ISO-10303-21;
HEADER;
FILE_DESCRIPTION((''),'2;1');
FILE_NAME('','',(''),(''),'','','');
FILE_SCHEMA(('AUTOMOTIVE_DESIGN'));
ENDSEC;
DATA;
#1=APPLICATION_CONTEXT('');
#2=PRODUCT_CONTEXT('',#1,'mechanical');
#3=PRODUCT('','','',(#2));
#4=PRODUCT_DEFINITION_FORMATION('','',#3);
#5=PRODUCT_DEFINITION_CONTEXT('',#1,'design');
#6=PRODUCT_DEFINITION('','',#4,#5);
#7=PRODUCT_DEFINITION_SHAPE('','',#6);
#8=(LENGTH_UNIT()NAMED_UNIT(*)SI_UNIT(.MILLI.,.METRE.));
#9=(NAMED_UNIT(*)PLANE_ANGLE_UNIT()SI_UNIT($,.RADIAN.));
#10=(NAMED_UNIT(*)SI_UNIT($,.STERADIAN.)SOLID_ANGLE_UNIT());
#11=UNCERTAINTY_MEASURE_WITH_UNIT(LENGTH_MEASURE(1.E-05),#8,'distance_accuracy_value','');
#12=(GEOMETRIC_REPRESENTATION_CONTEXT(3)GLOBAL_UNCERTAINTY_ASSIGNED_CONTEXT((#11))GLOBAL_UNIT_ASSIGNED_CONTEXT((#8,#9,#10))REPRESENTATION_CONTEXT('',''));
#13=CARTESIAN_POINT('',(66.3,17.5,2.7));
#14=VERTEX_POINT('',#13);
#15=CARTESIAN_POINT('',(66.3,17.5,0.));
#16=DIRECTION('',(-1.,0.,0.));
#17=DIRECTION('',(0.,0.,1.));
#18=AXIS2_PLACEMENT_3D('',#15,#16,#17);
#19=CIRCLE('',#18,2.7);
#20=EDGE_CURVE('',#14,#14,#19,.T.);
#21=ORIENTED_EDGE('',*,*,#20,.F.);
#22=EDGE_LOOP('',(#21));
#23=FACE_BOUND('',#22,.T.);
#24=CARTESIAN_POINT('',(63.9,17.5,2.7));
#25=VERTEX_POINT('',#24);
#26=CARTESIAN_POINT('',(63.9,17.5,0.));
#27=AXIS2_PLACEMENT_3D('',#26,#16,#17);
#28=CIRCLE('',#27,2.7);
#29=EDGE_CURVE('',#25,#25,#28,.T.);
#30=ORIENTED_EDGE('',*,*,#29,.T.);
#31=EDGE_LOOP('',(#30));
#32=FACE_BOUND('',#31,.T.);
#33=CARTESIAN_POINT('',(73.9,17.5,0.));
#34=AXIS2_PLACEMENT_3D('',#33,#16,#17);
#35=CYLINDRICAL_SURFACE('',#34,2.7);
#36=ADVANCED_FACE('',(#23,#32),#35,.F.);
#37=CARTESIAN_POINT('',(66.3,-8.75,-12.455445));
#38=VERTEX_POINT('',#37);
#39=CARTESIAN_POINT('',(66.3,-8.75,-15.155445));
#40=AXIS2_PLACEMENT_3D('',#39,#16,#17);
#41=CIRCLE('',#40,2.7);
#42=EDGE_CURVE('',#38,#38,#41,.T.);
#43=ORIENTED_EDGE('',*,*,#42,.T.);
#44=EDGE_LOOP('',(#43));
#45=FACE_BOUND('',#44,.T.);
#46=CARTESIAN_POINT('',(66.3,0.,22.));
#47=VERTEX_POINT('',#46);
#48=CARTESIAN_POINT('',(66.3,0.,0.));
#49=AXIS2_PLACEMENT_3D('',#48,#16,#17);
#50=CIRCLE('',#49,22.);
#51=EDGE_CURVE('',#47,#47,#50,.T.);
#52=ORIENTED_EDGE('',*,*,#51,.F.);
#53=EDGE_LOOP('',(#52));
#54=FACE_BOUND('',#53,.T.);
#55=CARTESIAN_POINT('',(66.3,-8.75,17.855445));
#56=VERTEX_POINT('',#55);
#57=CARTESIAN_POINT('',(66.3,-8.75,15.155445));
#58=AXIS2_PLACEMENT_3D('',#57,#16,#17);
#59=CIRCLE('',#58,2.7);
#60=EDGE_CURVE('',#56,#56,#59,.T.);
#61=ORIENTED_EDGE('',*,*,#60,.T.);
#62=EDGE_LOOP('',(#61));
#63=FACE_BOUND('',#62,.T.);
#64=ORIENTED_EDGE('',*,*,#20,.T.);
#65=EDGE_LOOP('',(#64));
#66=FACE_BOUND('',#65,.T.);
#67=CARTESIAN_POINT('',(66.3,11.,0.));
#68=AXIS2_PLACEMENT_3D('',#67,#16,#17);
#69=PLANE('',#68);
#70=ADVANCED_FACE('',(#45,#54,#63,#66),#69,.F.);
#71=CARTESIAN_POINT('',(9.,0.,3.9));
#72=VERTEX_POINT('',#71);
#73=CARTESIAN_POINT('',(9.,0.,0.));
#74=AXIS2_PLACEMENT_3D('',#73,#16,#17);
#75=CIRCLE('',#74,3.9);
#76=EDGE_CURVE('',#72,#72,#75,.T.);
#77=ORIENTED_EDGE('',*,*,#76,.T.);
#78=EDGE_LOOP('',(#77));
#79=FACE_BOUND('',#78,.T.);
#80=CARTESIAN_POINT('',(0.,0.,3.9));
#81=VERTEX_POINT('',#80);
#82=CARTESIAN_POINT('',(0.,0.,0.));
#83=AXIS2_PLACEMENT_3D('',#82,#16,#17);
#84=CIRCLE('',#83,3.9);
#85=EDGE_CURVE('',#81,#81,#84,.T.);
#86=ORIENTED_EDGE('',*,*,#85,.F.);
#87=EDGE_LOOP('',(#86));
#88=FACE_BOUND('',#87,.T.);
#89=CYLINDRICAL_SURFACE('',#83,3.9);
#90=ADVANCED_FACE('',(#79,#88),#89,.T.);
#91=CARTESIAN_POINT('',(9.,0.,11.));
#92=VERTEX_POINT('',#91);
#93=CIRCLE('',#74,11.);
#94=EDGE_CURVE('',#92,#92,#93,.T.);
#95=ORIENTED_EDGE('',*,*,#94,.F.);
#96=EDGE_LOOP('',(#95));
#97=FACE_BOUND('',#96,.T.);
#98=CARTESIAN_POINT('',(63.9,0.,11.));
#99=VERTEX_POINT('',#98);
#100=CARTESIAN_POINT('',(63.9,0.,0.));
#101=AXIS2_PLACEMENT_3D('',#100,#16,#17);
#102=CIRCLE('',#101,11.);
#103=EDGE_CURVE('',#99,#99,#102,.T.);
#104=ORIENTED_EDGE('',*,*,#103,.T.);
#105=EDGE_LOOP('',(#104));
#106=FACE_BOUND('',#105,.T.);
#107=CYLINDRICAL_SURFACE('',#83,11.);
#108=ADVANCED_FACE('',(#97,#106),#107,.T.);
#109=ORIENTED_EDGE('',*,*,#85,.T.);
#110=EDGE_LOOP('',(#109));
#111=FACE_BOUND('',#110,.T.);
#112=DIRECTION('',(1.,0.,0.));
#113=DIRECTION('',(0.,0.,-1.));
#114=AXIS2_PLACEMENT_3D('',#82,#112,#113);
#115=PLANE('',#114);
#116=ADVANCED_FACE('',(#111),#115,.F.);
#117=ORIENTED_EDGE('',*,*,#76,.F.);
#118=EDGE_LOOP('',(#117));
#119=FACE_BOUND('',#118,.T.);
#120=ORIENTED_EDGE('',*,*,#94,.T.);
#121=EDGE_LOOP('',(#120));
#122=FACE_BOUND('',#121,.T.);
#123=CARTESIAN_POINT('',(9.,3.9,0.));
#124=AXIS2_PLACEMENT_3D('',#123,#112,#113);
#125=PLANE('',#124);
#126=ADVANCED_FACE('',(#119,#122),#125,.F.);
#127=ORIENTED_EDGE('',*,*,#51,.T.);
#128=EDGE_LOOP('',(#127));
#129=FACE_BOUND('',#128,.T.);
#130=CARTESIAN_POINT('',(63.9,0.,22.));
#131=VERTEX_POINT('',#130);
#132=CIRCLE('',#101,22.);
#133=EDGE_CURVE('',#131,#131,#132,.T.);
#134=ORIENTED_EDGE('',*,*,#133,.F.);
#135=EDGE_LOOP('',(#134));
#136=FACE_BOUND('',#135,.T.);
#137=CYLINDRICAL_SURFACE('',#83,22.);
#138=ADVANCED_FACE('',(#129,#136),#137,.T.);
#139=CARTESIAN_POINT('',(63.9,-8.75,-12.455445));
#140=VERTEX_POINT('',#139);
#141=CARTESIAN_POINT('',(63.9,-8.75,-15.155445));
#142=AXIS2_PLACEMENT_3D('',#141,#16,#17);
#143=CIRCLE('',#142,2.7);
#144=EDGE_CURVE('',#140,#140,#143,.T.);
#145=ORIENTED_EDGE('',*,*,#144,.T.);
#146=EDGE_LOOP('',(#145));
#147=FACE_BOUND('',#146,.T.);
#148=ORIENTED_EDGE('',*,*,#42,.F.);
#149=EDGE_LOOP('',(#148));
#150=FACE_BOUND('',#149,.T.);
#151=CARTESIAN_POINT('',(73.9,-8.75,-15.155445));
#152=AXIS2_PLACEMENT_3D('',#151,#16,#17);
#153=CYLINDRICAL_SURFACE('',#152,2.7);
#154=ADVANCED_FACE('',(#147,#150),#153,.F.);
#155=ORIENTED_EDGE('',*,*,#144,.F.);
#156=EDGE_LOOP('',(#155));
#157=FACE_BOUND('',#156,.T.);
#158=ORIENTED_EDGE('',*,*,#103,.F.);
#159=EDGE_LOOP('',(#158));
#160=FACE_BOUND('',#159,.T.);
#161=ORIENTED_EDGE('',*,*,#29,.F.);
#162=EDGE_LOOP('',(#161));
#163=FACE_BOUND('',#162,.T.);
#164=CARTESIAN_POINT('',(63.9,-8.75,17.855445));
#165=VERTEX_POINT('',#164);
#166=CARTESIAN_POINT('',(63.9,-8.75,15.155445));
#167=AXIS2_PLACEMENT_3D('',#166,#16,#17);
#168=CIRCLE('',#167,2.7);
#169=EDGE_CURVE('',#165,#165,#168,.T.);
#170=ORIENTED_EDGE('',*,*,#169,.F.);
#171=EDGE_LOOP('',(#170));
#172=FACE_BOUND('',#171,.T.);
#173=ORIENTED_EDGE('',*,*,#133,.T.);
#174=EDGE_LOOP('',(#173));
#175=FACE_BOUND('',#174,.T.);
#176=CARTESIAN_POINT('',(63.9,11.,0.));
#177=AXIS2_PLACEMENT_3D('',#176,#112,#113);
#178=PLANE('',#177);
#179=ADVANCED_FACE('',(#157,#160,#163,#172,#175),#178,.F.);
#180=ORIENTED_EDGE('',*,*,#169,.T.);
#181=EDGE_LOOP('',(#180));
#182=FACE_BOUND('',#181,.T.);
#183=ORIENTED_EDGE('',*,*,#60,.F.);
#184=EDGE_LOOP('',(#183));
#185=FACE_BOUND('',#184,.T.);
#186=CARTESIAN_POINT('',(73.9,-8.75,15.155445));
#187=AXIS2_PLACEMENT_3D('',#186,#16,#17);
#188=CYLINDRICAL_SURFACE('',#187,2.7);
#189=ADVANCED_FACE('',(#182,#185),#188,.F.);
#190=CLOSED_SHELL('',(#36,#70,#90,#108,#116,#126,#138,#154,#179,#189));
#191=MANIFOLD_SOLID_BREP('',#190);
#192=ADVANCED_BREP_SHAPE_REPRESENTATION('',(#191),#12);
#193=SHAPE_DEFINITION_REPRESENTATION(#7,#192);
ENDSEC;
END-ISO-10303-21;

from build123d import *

# Parameters (mm, degrees)
SKETCH_2_R          = 2.7
CUT_EXTRUDE_1_DEPTH = 10


with BuildPart() as part:
    # 草图1 → 旋转1 (revolve)
    with BuildSketch(Plane.XY, mode=Mode.PRIVATE) as revolve_1_sk:
        Polygon((0, 0), (0, 3.9), (9, 3.9), (9, 11), (63.9, 11), (63.9, 22), (66.3, 22), (66.3, 11), (66.3, 0), align=None)
    revolve(revolve_1_sk.sketch.rotate(Axis((0, 0, 0), (1, 0, 0)), 90), axis=Axis((0, 0, 0), (1, 0, 0)))

    # 草图2 → 切除-拉伸1 (cut)
    with BuildSketch(Plane.ZY.offset(-63.9)):
        with Locations((0, 17.5)):
            Circle(SKETCH_2_R)
        with Locations((15.155444566, -8.75)):
            Circle(SKETCH_2_R)
        with Locations((-15.155444566, -8.75)):
            Circle(SKETCH_2_R)
    extrude(amount=-CUT_EXTRUDE_1_DEPTH, mode=Mode.SUBTRACT)


solid = part.part
